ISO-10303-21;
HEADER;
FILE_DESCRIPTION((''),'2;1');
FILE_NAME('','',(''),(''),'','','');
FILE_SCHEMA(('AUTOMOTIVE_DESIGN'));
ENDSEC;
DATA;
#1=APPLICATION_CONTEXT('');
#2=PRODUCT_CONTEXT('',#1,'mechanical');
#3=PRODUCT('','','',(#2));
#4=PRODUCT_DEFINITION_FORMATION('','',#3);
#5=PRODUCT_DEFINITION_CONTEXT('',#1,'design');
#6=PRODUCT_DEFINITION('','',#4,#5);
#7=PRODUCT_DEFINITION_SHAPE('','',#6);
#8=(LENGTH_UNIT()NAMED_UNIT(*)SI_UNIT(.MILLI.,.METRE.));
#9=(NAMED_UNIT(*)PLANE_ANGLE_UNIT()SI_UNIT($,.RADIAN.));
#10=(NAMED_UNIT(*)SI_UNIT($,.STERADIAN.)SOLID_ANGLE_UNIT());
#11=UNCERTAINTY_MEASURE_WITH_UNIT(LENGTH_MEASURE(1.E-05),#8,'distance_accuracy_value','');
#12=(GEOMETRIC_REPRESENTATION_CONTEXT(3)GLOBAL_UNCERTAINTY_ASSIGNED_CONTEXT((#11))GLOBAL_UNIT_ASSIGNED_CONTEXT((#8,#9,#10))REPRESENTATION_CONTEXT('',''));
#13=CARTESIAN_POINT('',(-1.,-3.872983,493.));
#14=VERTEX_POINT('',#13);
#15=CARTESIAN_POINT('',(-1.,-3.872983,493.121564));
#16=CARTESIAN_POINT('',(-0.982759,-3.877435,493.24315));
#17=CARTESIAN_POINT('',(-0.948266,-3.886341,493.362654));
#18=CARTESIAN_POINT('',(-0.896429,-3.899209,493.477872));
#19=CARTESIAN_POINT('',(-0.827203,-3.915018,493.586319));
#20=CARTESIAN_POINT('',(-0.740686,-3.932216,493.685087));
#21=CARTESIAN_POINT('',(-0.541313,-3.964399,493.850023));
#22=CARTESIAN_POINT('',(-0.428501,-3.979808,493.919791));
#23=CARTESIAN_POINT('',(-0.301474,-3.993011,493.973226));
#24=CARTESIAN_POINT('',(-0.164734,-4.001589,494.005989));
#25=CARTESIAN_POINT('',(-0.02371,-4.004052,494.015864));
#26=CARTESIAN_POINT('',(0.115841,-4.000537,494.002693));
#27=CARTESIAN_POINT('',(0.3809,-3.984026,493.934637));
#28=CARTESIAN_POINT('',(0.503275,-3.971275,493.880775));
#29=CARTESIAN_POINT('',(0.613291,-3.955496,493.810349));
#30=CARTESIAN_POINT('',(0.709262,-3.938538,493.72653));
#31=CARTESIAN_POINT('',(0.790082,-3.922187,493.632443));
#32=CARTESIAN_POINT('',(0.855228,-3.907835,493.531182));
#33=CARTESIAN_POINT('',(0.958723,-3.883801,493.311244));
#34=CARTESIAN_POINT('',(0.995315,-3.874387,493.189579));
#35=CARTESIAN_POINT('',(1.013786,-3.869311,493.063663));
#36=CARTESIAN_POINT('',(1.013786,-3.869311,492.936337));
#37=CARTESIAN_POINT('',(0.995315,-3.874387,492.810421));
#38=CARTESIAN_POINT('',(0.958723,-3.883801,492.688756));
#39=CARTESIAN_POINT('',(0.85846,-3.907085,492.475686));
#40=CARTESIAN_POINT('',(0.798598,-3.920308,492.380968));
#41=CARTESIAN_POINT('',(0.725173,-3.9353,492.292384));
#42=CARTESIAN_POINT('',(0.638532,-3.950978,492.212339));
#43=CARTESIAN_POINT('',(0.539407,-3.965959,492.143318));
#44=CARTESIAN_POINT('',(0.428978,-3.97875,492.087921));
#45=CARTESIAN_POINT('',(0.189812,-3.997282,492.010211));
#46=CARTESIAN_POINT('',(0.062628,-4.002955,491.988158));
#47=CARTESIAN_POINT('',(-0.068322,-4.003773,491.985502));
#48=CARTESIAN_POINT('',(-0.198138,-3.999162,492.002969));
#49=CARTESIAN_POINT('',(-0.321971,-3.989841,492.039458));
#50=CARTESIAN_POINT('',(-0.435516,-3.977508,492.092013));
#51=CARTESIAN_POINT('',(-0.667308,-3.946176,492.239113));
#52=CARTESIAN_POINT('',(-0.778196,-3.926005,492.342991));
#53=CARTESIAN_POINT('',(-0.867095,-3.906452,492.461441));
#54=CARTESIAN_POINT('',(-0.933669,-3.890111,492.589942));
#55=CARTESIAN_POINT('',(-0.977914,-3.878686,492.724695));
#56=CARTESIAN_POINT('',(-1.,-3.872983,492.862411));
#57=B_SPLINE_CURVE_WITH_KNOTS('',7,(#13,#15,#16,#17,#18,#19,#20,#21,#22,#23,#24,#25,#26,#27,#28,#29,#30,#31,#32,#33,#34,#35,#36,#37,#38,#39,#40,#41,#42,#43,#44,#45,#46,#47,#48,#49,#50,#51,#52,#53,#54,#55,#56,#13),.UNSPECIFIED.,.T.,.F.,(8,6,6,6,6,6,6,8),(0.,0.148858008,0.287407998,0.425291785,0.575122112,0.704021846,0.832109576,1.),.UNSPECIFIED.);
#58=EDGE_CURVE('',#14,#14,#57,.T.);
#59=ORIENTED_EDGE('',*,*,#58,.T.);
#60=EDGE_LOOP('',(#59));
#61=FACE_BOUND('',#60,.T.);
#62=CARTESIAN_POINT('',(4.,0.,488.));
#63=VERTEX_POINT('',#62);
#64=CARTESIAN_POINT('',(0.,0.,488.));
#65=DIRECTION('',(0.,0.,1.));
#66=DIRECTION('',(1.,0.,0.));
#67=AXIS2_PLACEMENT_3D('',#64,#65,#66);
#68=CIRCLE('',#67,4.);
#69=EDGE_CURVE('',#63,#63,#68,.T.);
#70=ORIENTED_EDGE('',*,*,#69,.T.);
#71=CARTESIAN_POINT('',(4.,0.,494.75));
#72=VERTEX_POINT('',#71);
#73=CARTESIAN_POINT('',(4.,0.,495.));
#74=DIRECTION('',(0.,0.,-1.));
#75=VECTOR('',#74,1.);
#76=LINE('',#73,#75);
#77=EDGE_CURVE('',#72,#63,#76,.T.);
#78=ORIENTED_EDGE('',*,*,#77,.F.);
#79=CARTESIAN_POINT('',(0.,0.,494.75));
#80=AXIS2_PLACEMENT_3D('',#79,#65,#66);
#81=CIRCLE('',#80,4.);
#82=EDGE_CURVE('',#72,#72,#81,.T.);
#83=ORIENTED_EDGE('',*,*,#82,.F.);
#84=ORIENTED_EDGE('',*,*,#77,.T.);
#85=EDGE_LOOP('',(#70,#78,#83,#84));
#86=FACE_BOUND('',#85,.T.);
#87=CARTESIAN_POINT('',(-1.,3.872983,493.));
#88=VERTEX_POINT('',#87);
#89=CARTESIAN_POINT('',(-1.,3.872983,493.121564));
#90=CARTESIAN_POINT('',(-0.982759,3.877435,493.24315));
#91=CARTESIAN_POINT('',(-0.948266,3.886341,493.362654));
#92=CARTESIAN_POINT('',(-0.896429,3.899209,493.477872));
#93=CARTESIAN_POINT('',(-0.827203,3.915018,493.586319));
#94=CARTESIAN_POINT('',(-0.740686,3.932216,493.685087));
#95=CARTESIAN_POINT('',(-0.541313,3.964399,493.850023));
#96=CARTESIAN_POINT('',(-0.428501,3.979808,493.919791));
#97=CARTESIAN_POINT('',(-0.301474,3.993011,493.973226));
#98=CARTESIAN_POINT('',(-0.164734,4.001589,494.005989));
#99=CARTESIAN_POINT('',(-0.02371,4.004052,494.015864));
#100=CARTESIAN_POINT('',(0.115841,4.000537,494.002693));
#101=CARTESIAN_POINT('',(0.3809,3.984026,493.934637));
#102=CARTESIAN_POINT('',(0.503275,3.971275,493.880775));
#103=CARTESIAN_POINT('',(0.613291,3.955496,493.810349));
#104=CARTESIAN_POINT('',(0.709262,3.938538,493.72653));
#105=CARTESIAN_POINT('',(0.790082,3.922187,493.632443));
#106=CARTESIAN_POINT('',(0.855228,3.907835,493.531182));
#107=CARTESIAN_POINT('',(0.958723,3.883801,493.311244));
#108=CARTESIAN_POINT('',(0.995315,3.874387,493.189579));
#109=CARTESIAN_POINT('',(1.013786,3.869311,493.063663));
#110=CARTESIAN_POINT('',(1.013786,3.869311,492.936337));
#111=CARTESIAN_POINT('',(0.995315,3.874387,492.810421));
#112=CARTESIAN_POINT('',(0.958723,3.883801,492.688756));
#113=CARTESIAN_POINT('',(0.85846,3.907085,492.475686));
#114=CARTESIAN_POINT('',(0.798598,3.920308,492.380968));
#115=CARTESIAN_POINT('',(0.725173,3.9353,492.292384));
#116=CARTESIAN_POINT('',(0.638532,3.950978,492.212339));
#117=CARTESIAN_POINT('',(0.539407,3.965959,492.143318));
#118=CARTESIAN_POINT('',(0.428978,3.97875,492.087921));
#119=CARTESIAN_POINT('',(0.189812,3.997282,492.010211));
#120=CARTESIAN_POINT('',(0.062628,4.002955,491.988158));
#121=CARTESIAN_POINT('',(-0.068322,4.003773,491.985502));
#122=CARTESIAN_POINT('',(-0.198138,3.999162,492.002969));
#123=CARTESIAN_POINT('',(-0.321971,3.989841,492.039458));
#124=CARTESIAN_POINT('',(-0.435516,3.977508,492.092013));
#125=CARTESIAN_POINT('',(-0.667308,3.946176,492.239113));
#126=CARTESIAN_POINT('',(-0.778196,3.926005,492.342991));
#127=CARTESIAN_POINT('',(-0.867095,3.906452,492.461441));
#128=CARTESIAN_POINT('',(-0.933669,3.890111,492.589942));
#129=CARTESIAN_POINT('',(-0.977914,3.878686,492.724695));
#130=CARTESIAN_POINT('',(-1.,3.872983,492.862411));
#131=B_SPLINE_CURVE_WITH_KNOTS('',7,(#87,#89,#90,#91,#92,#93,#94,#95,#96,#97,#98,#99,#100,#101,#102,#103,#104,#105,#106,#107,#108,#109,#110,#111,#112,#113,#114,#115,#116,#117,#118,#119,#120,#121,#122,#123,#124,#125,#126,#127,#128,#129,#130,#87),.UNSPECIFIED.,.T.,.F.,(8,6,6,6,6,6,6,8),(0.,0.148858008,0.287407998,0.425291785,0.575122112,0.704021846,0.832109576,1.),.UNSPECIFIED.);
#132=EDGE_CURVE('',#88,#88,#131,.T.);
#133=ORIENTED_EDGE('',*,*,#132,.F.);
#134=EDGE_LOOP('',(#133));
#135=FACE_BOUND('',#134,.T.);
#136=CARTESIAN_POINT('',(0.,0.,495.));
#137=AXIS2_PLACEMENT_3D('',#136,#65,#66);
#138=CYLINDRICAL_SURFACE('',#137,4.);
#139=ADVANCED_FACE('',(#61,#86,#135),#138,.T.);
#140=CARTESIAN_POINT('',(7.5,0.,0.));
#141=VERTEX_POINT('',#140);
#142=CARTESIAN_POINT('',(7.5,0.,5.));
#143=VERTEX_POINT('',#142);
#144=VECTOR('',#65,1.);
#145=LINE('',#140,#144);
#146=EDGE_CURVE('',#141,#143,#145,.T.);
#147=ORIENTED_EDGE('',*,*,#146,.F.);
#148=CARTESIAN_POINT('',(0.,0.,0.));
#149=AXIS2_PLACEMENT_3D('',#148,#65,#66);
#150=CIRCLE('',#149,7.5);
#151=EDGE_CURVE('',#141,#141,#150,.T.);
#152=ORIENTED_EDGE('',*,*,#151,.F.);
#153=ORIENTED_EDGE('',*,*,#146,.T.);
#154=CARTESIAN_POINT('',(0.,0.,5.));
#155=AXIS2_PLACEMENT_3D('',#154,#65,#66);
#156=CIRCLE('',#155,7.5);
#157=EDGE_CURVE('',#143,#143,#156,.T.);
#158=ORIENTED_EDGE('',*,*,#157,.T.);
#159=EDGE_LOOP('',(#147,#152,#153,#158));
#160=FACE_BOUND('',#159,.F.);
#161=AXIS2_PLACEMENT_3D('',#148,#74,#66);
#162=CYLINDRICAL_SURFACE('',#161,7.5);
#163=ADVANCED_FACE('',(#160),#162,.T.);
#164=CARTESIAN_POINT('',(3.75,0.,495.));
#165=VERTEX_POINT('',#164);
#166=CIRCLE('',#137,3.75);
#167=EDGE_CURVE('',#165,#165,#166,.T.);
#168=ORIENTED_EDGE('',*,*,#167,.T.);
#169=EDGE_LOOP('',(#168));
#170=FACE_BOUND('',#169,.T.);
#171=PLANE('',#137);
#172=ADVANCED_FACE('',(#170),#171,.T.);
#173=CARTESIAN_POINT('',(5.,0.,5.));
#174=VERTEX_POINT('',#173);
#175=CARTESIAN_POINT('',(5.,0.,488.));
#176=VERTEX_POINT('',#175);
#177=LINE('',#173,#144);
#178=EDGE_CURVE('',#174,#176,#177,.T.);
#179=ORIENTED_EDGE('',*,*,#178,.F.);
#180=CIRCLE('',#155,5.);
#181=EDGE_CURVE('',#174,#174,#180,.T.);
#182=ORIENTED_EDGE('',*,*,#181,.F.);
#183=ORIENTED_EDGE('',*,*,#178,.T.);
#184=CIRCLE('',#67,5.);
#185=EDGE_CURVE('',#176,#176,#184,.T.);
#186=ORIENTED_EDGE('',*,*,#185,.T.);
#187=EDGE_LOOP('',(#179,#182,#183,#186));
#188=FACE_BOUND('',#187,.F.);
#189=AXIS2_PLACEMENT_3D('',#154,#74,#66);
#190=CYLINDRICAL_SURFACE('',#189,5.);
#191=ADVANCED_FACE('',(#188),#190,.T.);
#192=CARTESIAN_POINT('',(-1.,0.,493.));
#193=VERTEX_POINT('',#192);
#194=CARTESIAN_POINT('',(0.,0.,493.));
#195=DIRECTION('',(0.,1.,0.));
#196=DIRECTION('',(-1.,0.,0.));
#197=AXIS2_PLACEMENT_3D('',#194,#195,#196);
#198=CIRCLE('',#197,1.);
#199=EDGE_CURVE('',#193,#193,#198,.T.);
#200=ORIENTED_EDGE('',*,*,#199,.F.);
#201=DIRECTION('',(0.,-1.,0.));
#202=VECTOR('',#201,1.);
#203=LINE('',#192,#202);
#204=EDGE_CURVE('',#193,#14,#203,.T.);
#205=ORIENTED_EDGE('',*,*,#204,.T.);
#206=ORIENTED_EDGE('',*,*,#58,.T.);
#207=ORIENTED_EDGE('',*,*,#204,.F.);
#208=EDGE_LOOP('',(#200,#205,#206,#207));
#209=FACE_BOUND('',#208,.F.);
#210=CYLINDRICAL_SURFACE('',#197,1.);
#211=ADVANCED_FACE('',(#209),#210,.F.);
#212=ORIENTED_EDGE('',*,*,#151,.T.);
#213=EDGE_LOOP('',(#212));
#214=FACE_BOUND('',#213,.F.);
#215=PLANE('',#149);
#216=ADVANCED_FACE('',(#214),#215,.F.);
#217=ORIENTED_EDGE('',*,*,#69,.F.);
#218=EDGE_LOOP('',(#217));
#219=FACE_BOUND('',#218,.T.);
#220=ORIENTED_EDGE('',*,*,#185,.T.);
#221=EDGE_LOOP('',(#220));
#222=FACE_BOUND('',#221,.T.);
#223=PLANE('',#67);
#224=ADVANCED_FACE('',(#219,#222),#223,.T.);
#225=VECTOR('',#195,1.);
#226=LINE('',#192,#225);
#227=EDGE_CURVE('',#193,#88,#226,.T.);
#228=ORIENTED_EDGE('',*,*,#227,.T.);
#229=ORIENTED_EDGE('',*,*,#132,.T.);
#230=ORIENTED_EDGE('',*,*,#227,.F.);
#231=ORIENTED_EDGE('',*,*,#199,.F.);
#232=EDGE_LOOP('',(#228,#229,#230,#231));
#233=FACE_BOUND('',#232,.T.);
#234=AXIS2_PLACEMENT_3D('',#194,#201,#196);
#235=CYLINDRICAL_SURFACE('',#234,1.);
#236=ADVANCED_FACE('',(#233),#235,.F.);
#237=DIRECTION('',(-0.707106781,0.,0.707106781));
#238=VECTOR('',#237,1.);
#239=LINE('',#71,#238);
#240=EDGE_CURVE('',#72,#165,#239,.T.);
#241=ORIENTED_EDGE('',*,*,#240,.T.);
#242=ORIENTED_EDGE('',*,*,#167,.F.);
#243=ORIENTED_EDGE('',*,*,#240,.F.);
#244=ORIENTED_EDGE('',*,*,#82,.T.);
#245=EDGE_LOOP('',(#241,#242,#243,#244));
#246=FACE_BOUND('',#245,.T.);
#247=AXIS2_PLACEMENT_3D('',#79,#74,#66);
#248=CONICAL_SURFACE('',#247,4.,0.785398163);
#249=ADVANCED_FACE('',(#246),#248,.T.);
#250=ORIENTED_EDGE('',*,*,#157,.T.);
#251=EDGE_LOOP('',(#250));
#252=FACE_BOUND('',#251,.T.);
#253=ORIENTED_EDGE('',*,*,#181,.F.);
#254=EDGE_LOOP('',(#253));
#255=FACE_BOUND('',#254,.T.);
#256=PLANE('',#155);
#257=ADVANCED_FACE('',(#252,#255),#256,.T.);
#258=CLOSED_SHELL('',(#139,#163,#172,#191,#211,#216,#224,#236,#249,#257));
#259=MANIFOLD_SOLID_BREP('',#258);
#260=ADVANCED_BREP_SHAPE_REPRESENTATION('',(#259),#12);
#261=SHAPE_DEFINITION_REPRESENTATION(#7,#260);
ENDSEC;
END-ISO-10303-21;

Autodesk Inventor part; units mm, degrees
ref_plane "YZ Plane" through (0, 0, 0) normal (1, 0, 0) x (0, 1, 0)
ref_plane "XZ Plane" through (0, 0, 0) normal (0, 1, 0) x (-1, 0, 0)
ref_plane "XY Plane" through (0, 0, 0) normal (0, 0, 1) x (1, 0, 0)
sketch "草图1" plane through (0, 0, 0) normal (0, 0, 1) x (1, 0, 0)
  circle A0 centre (0, 0) radius 7.5
  dimension "d0" = 15
extrude "拉伸1" add sketch "草图1" along normal blind 5
sketch "草图2" plane through (0, 0, 5) normal (0, 0, 1) x (1, 0, 0)
  circle A0 centre (0, 0) radius 5
  dimension "d3" = 10
extrude "拉伸2" add sketch "草图2" along normal blind 490
sketch "草图3" plane through (0, 0, 0) normal (0, 1, 0) x (-1, 0, 0)
  circle A0 centre (0, 493) radius 1
  line L0 (5, 495) -> (-5, 495) projected
  point P0 (0, 0)
  dimension "d6" = 2
  dimension "d7" = 2
extrude "拉伸3" cut sketch "草图3" along normal through all both and the other way through all
sketch "草图4" plane through (0, 0, 495) normal (0, 0, 1) x (1, 0, 0)
  circle A0 centre (0, 0) radius 4
  circle A1 centre (0, 0) radius 5
  dimension "d15" = 8
  dimension "d16" = 10
extrude "拉伸4" cut sketch "草图4" against normal blind 7
thread "螺纹2" size "M8x1.25" class "6g" standard "ANSI Metric M Profile" full length
chamfer "倒角2" distance 0.25 angle 45 1 edges at (-4, 0, 495)
properties part number "砂轮架固定销"
